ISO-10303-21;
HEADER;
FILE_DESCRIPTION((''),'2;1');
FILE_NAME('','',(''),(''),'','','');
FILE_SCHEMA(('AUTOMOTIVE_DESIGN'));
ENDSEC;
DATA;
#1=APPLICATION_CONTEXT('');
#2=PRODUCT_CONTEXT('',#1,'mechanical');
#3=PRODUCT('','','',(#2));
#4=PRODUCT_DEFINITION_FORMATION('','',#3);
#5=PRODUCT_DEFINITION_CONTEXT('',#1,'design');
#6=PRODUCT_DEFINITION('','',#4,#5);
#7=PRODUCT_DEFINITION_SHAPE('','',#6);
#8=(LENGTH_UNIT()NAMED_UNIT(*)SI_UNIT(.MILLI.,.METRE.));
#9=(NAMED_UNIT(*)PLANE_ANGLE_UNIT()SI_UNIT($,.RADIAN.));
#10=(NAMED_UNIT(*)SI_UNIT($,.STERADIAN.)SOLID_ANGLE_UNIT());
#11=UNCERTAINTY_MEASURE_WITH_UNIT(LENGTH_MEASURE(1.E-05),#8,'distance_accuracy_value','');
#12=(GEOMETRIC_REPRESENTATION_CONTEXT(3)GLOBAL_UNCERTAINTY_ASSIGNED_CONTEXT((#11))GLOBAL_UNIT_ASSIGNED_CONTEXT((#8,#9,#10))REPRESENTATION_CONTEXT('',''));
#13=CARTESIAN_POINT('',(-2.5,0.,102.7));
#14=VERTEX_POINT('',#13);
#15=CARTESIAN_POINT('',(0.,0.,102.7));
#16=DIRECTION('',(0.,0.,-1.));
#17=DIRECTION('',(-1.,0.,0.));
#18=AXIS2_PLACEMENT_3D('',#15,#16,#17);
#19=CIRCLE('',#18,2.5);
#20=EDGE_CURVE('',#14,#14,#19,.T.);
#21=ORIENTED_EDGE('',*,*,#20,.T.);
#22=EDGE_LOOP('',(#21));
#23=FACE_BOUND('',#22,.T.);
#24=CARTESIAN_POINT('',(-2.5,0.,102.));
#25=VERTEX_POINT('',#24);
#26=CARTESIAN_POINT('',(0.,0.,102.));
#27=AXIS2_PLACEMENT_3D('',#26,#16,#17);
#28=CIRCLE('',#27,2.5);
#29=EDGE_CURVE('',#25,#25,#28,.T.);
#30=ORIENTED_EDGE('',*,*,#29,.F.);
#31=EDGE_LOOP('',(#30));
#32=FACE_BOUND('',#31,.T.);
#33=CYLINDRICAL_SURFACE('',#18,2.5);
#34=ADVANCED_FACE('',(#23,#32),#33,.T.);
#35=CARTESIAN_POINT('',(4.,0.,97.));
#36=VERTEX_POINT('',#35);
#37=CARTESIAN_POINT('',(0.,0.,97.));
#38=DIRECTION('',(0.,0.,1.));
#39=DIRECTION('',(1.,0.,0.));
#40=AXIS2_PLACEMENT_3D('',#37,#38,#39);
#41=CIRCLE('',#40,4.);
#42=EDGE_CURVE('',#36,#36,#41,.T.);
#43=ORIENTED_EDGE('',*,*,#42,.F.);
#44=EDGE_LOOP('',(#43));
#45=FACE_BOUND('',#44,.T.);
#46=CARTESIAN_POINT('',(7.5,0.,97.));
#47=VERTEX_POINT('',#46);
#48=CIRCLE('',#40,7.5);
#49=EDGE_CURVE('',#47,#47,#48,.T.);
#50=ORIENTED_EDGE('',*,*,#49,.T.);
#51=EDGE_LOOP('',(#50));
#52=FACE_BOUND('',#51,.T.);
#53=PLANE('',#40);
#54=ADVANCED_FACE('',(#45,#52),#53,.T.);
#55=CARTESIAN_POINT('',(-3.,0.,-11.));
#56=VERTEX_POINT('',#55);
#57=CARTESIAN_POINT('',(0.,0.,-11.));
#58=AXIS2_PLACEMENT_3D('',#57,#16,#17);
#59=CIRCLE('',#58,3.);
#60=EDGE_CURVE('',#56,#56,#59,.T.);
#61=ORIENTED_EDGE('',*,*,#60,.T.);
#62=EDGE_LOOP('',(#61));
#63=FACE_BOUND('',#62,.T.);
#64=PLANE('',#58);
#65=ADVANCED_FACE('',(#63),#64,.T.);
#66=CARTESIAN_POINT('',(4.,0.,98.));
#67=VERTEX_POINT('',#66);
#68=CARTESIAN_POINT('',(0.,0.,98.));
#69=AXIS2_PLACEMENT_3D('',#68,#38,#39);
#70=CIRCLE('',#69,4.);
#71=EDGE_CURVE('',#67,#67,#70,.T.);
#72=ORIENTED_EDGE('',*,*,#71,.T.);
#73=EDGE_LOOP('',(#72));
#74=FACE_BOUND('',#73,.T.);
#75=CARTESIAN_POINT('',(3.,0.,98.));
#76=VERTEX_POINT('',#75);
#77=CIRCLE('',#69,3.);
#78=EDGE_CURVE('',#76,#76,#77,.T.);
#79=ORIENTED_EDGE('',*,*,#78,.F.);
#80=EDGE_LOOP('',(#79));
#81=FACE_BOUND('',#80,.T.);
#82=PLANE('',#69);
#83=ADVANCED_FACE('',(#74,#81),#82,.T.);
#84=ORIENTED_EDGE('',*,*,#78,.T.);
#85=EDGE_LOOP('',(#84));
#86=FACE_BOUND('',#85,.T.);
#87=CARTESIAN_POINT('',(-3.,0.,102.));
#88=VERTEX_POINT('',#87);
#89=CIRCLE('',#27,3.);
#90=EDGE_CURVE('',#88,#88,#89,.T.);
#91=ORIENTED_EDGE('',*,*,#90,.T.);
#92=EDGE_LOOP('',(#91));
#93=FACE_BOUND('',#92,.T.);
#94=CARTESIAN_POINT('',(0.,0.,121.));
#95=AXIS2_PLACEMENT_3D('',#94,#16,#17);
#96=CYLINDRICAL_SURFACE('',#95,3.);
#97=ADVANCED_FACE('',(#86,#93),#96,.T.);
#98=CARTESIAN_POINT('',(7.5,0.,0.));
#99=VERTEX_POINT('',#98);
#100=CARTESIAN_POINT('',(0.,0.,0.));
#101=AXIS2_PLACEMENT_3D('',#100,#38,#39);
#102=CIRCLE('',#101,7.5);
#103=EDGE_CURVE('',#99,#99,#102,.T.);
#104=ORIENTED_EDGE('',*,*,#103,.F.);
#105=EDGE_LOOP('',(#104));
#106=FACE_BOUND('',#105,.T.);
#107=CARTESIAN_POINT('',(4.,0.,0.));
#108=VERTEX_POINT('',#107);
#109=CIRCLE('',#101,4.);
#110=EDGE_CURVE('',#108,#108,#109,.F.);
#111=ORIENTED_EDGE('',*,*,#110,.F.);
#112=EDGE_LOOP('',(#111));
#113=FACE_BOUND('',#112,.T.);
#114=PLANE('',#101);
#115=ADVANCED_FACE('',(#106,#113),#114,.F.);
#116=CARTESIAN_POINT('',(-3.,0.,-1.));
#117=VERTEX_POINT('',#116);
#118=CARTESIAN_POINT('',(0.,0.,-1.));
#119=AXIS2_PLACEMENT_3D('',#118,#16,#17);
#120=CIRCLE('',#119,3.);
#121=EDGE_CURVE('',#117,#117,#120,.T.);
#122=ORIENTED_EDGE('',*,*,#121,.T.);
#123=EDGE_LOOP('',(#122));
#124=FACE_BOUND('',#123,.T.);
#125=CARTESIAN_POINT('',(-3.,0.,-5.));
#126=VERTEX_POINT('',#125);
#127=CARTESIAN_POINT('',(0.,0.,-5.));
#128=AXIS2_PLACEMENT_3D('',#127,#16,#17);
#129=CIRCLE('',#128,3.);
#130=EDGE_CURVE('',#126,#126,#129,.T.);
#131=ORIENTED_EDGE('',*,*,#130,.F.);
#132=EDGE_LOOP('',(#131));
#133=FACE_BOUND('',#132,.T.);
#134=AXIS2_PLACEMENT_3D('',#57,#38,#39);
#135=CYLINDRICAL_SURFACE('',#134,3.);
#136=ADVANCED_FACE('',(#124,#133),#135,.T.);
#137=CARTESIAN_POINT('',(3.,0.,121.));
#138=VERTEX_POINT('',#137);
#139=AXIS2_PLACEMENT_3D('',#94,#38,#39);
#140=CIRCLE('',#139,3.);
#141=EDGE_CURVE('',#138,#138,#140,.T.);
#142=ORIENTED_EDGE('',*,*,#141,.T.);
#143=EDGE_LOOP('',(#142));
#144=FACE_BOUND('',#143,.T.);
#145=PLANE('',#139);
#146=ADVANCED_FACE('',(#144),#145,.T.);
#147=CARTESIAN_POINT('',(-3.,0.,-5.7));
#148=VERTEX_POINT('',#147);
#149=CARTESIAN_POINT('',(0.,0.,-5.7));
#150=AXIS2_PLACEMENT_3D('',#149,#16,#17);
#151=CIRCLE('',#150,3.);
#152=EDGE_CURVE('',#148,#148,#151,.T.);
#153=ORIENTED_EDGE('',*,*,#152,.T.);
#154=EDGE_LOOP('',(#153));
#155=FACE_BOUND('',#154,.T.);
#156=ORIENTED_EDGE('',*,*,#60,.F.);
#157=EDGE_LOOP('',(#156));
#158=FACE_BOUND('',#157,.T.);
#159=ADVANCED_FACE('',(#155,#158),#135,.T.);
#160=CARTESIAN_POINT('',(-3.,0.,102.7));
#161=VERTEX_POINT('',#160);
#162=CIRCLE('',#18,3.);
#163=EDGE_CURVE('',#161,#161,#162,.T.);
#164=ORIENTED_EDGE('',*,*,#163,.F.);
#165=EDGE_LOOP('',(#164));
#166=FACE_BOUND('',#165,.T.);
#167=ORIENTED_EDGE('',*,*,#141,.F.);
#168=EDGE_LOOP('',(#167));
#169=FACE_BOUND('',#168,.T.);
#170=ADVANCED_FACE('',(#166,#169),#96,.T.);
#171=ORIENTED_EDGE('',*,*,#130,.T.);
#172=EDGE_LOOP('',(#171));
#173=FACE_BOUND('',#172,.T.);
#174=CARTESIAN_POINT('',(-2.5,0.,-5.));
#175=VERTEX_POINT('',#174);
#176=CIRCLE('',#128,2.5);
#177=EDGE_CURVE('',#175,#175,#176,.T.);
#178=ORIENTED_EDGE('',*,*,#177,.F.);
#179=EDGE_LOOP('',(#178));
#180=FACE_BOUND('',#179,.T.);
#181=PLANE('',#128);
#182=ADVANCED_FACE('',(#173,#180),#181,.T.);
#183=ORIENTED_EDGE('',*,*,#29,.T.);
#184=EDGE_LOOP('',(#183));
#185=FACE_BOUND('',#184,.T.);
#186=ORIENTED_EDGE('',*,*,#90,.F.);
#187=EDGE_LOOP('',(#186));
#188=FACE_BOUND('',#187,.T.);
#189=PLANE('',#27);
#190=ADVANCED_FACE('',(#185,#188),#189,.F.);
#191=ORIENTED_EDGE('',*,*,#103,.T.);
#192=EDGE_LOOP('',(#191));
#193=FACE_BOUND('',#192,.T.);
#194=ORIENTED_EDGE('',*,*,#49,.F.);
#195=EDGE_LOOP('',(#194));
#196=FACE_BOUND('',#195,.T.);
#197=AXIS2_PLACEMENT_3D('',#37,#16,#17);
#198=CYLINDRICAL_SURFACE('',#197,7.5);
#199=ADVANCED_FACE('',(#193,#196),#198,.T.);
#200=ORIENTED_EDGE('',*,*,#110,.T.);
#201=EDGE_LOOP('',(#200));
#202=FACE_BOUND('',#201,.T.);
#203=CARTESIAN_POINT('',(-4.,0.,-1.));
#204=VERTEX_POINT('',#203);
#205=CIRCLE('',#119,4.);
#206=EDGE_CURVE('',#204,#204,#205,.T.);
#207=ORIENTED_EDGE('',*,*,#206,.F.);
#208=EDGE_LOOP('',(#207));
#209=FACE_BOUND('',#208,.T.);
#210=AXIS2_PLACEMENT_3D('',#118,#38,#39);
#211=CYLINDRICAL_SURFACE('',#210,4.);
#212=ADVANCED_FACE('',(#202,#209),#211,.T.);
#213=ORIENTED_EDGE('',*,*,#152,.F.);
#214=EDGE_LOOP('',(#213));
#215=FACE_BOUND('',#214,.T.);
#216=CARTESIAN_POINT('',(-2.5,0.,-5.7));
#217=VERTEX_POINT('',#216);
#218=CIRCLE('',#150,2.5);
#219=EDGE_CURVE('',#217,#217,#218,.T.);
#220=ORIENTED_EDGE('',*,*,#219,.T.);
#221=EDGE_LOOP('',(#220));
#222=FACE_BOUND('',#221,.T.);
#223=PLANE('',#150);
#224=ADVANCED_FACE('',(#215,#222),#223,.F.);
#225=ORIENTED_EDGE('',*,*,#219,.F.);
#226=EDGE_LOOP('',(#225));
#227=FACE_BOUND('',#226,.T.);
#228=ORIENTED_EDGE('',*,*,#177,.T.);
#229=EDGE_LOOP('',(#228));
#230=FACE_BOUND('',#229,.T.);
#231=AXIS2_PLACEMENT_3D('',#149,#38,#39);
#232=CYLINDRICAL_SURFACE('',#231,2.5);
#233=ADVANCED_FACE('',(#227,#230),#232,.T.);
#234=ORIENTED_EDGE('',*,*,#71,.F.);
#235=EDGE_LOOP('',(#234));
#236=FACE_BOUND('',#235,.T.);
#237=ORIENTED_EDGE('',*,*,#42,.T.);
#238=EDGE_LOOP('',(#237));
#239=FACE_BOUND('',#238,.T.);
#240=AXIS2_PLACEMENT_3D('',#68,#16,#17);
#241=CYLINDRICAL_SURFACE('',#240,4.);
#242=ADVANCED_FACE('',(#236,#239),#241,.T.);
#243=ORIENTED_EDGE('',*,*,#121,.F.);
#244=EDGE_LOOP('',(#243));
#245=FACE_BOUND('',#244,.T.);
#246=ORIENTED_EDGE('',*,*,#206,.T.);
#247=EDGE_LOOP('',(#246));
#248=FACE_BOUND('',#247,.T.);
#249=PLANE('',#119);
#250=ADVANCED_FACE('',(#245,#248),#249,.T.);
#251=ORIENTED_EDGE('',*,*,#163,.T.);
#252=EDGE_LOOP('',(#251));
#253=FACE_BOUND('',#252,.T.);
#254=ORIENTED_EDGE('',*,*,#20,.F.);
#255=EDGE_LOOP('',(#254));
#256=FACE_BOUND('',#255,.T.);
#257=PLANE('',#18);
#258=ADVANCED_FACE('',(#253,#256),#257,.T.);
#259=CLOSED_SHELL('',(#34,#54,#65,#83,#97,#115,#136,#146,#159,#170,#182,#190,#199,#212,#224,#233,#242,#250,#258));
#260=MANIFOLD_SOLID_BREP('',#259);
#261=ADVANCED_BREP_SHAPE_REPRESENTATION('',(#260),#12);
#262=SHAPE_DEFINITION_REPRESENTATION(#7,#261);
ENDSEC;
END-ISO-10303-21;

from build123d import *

# Parameters (mm, degrees)
SKETCH_1_R          = 7.5
EXTRUDE_1_DEPTH     = 97
SKETCH_2_R          = 4
EXTRUDE_2_DEPTH     = 1
SKETCH_3_R          = 3
EXTRUDE_3_DEPTH     = 10
SKETCH_4_R          = 4
EXTRUDE_4_DEPTH     = 1
SKETCH_5_R          = 3
EXTRUDE_5_DEPTH     = 23
SKETCH_6_R          = 6.147127497
SKETCH_6_R_2        = 2.5
CUT_EXTRUDE_1_DEPTH = 0.7
SKETCH_7_R          = 6.101942299
SKETCH_7_R_2        = 2.5
CUT_EXTRUDE_2_DEPTH = 0.7


with BuildPart() as part:
    # 草图1 → 凸台-拉伸1 (new body)
    with BuildSketch(Plane.XY):
        Circle(SKETCH_1_R)
    extrude(amount=EXTRUDE_1_DEPTH)

    # 草图2 → 凸台-拉伸2 (add)
    with BuildSketch(Plane(origin=(0, 0, 0), x_dir=(-1, 0, 0), z_dir=(0, 0, -1))):
        Circle(SKETCH_2_R)
    extrude(amount=EXTRUDE_2_DEPTH)

    # 草图3 → 凸台-拉伸3 (add)
    with BuildSketch(Plane(origin=(0, 0, -1), x_dir=(-1, 0, 0), z_dir=(0, 0, -1))):
        Circle(SKETCH_3_R)
    extrude(amount=EXTRUDE_3_DEPTH)

    # 草图4 → 凸台-拉伸4 (add)
    with BuildSketch(Plane.XY.offset(97)):
        Circle(SKETCH_4_R)
    extrude(amount=EXTRUDE_4_DEPTH)

    # 草图5 → 凸台-拉伸5 (add)
    with BuildSketch(Plane.XY.offset(98)):
        Circle(SKETCH_5_R)
    extrude(amount=EXTRUDE_5_DEPTH)

    # 草图6 → 切除-拉伸1 (cut)
    with BuildSketch(Plane(origin=(0, 0, -5), x_dir=(-1, 0, 0), z_dir=(0, 0, -1))):
        Circle(SKETCH_6_R)
        Circle(SKETCH_6_R_2, mode=Mode.SUBTRACT)
    extrude(amount=CUT_EXTRUDE_1_DEPTH, mode=Mode.SUBTRACT)

    # 草图7 → 切除-拉伸2 (cut)
    with BuildSketch(Plane(origin=(0, 0, 102), x_dir=(-1, 0, 0), z_dir=(0, 0, -1))):
        Circle(SKETCH_7_R)
        Circle(SKETCH_7_R_2, mode=Mode.SUBTRACT)
    extrude(amount=-CUT_EXTRUDE_2_DEPTH, mode=Mode.SUBTRACT)


solid = part.part
